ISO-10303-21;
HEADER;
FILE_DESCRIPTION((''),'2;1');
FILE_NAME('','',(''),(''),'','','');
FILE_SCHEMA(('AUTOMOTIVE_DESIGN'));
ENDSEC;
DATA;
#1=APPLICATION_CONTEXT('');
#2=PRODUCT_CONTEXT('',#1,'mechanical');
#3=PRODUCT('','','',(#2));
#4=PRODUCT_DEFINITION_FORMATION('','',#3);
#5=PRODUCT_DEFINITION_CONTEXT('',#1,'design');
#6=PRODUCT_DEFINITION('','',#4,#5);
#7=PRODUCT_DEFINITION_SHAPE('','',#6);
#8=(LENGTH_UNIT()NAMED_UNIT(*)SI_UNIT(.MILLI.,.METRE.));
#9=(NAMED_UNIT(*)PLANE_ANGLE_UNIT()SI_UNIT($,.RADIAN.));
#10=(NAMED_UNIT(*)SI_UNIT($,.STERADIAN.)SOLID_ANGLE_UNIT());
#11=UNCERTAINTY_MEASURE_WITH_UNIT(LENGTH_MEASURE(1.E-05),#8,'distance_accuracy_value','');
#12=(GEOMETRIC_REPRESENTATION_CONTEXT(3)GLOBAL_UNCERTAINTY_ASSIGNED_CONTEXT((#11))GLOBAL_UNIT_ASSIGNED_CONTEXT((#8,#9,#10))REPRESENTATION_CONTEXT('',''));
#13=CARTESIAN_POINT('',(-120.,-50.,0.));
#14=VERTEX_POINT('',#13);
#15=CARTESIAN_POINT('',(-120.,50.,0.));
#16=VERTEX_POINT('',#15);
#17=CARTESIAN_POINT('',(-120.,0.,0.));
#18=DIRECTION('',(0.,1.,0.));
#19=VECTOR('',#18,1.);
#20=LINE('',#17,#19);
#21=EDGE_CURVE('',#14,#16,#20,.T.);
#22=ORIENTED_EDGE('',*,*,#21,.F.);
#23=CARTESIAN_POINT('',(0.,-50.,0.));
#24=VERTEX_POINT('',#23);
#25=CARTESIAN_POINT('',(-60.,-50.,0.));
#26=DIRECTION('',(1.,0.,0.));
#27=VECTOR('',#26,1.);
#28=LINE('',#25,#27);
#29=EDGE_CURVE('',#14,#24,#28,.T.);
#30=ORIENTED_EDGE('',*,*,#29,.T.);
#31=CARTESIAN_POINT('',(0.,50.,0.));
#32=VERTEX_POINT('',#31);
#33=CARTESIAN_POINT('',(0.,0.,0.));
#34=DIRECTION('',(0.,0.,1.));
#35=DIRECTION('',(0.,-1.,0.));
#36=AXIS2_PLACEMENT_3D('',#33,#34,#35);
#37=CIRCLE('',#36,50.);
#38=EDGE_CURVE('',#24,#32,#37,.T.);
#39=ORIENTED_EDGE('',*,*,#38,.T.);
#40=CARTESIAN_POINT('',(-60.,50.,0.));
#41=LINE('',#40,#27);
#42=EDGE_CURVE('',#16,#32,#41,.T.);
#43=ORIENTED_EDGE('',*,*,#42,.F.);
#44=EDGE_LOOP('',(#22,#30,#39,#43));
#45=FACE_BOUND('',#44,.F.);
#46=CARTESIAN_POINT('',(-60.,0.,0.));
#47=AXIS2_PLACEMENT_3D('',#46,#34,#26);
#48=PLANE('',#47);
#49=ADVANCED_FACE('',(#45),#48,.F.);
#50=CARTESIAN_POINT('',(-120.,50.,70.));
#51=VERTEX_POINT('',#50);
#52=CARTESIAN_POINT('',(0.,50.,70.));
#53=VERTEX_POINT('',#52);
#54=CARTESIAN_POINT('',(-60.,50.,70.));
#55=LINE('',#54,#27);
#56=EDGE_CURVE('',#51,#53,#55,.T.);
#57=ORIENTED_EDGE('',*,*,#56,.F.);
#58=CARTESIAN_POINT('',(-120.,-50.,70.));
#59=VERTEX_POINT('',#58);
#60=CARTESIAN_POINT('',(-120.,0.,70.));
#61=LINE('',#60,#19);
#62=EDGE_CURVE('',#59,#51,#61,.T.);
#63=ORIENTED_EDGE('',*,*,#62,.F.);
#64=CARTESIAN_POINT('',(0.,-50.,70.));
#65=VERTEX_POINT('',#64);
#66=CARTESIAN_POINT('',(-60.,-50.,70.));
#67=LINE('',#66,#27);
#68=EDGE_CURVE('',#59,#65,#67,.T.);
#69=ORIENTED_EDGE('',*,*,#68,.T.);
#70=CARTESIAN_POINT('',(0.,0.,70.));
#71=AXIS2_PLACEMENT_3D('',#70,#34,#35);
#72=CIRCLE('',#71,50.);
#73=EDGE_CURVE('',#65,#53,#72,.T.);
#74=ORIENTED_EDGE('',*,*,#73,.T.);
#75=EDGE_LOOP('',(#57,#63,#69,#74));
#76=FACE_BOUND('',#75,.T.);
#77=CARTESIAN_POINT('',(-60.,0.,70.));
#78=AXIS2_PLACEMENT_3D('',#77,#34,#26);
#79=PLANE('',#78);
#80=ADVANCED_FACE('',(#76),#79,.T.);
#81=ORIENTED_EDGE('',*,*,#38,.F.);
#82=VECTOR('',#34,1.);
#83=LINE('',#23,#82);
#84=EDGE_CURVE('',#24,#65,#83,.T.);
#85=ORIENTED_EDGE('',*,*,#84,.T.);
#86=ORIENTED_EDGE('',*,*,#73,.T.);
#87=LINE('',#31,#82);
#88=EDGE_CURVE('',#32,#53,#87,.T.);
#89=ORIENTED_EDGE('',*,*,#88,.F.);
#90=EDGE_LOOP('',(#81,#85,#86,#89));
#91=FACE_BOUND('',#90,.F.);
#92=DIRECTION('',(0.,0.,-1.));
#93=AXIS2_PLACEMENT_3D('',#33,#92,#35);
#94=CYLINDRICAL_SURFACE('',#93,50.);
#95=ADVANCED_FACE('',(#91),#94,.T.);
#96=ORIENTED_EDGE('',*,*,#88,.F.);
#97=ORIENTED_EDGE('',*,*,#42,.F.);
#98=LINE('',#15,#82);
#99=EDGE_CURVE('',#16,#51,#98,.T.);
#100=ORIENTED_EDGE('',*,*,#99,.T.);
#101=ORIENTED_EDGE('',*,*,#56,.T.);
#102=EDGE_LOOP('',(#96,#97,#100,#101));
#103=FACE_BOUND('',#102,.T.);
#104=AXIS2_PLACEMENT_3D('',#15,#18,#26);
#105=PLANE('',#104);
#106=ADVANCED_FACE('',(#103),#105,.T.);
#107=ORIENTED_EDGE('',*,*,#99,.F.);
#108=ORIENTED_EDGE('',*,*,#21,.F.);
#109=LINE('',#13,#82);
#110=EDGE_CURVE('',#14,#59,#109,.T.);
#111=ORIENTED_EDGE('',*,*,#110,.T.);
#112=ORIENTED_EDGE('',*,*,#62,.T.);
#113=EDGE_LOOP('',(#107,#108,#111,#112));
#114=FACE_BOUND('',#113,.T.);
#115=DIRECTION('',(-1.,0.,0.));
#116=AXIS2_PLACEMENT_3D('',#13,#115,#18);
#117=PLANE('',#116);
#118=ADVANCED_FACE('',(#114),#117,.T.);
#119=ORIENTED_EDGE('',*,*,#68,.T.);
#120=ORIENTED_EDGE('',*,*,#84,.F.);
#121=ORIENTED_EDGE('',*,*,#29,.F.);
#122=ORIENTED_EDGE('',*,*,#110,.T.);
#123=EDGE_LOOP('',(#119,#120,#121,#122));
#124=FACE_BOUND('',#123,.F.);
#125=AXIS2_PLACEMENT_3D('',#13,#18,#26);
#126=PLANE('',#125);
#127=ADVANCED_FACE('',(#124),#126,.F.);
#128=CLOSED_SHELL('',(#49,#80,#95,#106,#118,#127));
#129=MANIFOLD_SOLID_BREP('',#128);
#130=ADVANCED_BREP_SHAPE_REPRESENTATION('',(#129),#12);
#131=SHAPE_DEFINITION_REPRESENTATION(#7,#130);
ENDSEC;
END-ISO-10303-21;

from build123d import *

# Parameters (mm, degrees)
F0_W     = 120
F0_H     = 100
F1_DEPTH = 70


with BuildPart() as f1:
    # F0 (on Top) → F1 (new body)
    with BuildSketch(Plane.XY):
        with Locations((-60, 0)):
            Rectangle(F0_W, F0_H)
        with BuildLine():
            Line((0, 50), (0, -50))
            ThreePointArc((0, -50), (50, 0), (0, 50))
        make_face()
    extrude(amount=F1_DEPTH)


solid = f1.part
